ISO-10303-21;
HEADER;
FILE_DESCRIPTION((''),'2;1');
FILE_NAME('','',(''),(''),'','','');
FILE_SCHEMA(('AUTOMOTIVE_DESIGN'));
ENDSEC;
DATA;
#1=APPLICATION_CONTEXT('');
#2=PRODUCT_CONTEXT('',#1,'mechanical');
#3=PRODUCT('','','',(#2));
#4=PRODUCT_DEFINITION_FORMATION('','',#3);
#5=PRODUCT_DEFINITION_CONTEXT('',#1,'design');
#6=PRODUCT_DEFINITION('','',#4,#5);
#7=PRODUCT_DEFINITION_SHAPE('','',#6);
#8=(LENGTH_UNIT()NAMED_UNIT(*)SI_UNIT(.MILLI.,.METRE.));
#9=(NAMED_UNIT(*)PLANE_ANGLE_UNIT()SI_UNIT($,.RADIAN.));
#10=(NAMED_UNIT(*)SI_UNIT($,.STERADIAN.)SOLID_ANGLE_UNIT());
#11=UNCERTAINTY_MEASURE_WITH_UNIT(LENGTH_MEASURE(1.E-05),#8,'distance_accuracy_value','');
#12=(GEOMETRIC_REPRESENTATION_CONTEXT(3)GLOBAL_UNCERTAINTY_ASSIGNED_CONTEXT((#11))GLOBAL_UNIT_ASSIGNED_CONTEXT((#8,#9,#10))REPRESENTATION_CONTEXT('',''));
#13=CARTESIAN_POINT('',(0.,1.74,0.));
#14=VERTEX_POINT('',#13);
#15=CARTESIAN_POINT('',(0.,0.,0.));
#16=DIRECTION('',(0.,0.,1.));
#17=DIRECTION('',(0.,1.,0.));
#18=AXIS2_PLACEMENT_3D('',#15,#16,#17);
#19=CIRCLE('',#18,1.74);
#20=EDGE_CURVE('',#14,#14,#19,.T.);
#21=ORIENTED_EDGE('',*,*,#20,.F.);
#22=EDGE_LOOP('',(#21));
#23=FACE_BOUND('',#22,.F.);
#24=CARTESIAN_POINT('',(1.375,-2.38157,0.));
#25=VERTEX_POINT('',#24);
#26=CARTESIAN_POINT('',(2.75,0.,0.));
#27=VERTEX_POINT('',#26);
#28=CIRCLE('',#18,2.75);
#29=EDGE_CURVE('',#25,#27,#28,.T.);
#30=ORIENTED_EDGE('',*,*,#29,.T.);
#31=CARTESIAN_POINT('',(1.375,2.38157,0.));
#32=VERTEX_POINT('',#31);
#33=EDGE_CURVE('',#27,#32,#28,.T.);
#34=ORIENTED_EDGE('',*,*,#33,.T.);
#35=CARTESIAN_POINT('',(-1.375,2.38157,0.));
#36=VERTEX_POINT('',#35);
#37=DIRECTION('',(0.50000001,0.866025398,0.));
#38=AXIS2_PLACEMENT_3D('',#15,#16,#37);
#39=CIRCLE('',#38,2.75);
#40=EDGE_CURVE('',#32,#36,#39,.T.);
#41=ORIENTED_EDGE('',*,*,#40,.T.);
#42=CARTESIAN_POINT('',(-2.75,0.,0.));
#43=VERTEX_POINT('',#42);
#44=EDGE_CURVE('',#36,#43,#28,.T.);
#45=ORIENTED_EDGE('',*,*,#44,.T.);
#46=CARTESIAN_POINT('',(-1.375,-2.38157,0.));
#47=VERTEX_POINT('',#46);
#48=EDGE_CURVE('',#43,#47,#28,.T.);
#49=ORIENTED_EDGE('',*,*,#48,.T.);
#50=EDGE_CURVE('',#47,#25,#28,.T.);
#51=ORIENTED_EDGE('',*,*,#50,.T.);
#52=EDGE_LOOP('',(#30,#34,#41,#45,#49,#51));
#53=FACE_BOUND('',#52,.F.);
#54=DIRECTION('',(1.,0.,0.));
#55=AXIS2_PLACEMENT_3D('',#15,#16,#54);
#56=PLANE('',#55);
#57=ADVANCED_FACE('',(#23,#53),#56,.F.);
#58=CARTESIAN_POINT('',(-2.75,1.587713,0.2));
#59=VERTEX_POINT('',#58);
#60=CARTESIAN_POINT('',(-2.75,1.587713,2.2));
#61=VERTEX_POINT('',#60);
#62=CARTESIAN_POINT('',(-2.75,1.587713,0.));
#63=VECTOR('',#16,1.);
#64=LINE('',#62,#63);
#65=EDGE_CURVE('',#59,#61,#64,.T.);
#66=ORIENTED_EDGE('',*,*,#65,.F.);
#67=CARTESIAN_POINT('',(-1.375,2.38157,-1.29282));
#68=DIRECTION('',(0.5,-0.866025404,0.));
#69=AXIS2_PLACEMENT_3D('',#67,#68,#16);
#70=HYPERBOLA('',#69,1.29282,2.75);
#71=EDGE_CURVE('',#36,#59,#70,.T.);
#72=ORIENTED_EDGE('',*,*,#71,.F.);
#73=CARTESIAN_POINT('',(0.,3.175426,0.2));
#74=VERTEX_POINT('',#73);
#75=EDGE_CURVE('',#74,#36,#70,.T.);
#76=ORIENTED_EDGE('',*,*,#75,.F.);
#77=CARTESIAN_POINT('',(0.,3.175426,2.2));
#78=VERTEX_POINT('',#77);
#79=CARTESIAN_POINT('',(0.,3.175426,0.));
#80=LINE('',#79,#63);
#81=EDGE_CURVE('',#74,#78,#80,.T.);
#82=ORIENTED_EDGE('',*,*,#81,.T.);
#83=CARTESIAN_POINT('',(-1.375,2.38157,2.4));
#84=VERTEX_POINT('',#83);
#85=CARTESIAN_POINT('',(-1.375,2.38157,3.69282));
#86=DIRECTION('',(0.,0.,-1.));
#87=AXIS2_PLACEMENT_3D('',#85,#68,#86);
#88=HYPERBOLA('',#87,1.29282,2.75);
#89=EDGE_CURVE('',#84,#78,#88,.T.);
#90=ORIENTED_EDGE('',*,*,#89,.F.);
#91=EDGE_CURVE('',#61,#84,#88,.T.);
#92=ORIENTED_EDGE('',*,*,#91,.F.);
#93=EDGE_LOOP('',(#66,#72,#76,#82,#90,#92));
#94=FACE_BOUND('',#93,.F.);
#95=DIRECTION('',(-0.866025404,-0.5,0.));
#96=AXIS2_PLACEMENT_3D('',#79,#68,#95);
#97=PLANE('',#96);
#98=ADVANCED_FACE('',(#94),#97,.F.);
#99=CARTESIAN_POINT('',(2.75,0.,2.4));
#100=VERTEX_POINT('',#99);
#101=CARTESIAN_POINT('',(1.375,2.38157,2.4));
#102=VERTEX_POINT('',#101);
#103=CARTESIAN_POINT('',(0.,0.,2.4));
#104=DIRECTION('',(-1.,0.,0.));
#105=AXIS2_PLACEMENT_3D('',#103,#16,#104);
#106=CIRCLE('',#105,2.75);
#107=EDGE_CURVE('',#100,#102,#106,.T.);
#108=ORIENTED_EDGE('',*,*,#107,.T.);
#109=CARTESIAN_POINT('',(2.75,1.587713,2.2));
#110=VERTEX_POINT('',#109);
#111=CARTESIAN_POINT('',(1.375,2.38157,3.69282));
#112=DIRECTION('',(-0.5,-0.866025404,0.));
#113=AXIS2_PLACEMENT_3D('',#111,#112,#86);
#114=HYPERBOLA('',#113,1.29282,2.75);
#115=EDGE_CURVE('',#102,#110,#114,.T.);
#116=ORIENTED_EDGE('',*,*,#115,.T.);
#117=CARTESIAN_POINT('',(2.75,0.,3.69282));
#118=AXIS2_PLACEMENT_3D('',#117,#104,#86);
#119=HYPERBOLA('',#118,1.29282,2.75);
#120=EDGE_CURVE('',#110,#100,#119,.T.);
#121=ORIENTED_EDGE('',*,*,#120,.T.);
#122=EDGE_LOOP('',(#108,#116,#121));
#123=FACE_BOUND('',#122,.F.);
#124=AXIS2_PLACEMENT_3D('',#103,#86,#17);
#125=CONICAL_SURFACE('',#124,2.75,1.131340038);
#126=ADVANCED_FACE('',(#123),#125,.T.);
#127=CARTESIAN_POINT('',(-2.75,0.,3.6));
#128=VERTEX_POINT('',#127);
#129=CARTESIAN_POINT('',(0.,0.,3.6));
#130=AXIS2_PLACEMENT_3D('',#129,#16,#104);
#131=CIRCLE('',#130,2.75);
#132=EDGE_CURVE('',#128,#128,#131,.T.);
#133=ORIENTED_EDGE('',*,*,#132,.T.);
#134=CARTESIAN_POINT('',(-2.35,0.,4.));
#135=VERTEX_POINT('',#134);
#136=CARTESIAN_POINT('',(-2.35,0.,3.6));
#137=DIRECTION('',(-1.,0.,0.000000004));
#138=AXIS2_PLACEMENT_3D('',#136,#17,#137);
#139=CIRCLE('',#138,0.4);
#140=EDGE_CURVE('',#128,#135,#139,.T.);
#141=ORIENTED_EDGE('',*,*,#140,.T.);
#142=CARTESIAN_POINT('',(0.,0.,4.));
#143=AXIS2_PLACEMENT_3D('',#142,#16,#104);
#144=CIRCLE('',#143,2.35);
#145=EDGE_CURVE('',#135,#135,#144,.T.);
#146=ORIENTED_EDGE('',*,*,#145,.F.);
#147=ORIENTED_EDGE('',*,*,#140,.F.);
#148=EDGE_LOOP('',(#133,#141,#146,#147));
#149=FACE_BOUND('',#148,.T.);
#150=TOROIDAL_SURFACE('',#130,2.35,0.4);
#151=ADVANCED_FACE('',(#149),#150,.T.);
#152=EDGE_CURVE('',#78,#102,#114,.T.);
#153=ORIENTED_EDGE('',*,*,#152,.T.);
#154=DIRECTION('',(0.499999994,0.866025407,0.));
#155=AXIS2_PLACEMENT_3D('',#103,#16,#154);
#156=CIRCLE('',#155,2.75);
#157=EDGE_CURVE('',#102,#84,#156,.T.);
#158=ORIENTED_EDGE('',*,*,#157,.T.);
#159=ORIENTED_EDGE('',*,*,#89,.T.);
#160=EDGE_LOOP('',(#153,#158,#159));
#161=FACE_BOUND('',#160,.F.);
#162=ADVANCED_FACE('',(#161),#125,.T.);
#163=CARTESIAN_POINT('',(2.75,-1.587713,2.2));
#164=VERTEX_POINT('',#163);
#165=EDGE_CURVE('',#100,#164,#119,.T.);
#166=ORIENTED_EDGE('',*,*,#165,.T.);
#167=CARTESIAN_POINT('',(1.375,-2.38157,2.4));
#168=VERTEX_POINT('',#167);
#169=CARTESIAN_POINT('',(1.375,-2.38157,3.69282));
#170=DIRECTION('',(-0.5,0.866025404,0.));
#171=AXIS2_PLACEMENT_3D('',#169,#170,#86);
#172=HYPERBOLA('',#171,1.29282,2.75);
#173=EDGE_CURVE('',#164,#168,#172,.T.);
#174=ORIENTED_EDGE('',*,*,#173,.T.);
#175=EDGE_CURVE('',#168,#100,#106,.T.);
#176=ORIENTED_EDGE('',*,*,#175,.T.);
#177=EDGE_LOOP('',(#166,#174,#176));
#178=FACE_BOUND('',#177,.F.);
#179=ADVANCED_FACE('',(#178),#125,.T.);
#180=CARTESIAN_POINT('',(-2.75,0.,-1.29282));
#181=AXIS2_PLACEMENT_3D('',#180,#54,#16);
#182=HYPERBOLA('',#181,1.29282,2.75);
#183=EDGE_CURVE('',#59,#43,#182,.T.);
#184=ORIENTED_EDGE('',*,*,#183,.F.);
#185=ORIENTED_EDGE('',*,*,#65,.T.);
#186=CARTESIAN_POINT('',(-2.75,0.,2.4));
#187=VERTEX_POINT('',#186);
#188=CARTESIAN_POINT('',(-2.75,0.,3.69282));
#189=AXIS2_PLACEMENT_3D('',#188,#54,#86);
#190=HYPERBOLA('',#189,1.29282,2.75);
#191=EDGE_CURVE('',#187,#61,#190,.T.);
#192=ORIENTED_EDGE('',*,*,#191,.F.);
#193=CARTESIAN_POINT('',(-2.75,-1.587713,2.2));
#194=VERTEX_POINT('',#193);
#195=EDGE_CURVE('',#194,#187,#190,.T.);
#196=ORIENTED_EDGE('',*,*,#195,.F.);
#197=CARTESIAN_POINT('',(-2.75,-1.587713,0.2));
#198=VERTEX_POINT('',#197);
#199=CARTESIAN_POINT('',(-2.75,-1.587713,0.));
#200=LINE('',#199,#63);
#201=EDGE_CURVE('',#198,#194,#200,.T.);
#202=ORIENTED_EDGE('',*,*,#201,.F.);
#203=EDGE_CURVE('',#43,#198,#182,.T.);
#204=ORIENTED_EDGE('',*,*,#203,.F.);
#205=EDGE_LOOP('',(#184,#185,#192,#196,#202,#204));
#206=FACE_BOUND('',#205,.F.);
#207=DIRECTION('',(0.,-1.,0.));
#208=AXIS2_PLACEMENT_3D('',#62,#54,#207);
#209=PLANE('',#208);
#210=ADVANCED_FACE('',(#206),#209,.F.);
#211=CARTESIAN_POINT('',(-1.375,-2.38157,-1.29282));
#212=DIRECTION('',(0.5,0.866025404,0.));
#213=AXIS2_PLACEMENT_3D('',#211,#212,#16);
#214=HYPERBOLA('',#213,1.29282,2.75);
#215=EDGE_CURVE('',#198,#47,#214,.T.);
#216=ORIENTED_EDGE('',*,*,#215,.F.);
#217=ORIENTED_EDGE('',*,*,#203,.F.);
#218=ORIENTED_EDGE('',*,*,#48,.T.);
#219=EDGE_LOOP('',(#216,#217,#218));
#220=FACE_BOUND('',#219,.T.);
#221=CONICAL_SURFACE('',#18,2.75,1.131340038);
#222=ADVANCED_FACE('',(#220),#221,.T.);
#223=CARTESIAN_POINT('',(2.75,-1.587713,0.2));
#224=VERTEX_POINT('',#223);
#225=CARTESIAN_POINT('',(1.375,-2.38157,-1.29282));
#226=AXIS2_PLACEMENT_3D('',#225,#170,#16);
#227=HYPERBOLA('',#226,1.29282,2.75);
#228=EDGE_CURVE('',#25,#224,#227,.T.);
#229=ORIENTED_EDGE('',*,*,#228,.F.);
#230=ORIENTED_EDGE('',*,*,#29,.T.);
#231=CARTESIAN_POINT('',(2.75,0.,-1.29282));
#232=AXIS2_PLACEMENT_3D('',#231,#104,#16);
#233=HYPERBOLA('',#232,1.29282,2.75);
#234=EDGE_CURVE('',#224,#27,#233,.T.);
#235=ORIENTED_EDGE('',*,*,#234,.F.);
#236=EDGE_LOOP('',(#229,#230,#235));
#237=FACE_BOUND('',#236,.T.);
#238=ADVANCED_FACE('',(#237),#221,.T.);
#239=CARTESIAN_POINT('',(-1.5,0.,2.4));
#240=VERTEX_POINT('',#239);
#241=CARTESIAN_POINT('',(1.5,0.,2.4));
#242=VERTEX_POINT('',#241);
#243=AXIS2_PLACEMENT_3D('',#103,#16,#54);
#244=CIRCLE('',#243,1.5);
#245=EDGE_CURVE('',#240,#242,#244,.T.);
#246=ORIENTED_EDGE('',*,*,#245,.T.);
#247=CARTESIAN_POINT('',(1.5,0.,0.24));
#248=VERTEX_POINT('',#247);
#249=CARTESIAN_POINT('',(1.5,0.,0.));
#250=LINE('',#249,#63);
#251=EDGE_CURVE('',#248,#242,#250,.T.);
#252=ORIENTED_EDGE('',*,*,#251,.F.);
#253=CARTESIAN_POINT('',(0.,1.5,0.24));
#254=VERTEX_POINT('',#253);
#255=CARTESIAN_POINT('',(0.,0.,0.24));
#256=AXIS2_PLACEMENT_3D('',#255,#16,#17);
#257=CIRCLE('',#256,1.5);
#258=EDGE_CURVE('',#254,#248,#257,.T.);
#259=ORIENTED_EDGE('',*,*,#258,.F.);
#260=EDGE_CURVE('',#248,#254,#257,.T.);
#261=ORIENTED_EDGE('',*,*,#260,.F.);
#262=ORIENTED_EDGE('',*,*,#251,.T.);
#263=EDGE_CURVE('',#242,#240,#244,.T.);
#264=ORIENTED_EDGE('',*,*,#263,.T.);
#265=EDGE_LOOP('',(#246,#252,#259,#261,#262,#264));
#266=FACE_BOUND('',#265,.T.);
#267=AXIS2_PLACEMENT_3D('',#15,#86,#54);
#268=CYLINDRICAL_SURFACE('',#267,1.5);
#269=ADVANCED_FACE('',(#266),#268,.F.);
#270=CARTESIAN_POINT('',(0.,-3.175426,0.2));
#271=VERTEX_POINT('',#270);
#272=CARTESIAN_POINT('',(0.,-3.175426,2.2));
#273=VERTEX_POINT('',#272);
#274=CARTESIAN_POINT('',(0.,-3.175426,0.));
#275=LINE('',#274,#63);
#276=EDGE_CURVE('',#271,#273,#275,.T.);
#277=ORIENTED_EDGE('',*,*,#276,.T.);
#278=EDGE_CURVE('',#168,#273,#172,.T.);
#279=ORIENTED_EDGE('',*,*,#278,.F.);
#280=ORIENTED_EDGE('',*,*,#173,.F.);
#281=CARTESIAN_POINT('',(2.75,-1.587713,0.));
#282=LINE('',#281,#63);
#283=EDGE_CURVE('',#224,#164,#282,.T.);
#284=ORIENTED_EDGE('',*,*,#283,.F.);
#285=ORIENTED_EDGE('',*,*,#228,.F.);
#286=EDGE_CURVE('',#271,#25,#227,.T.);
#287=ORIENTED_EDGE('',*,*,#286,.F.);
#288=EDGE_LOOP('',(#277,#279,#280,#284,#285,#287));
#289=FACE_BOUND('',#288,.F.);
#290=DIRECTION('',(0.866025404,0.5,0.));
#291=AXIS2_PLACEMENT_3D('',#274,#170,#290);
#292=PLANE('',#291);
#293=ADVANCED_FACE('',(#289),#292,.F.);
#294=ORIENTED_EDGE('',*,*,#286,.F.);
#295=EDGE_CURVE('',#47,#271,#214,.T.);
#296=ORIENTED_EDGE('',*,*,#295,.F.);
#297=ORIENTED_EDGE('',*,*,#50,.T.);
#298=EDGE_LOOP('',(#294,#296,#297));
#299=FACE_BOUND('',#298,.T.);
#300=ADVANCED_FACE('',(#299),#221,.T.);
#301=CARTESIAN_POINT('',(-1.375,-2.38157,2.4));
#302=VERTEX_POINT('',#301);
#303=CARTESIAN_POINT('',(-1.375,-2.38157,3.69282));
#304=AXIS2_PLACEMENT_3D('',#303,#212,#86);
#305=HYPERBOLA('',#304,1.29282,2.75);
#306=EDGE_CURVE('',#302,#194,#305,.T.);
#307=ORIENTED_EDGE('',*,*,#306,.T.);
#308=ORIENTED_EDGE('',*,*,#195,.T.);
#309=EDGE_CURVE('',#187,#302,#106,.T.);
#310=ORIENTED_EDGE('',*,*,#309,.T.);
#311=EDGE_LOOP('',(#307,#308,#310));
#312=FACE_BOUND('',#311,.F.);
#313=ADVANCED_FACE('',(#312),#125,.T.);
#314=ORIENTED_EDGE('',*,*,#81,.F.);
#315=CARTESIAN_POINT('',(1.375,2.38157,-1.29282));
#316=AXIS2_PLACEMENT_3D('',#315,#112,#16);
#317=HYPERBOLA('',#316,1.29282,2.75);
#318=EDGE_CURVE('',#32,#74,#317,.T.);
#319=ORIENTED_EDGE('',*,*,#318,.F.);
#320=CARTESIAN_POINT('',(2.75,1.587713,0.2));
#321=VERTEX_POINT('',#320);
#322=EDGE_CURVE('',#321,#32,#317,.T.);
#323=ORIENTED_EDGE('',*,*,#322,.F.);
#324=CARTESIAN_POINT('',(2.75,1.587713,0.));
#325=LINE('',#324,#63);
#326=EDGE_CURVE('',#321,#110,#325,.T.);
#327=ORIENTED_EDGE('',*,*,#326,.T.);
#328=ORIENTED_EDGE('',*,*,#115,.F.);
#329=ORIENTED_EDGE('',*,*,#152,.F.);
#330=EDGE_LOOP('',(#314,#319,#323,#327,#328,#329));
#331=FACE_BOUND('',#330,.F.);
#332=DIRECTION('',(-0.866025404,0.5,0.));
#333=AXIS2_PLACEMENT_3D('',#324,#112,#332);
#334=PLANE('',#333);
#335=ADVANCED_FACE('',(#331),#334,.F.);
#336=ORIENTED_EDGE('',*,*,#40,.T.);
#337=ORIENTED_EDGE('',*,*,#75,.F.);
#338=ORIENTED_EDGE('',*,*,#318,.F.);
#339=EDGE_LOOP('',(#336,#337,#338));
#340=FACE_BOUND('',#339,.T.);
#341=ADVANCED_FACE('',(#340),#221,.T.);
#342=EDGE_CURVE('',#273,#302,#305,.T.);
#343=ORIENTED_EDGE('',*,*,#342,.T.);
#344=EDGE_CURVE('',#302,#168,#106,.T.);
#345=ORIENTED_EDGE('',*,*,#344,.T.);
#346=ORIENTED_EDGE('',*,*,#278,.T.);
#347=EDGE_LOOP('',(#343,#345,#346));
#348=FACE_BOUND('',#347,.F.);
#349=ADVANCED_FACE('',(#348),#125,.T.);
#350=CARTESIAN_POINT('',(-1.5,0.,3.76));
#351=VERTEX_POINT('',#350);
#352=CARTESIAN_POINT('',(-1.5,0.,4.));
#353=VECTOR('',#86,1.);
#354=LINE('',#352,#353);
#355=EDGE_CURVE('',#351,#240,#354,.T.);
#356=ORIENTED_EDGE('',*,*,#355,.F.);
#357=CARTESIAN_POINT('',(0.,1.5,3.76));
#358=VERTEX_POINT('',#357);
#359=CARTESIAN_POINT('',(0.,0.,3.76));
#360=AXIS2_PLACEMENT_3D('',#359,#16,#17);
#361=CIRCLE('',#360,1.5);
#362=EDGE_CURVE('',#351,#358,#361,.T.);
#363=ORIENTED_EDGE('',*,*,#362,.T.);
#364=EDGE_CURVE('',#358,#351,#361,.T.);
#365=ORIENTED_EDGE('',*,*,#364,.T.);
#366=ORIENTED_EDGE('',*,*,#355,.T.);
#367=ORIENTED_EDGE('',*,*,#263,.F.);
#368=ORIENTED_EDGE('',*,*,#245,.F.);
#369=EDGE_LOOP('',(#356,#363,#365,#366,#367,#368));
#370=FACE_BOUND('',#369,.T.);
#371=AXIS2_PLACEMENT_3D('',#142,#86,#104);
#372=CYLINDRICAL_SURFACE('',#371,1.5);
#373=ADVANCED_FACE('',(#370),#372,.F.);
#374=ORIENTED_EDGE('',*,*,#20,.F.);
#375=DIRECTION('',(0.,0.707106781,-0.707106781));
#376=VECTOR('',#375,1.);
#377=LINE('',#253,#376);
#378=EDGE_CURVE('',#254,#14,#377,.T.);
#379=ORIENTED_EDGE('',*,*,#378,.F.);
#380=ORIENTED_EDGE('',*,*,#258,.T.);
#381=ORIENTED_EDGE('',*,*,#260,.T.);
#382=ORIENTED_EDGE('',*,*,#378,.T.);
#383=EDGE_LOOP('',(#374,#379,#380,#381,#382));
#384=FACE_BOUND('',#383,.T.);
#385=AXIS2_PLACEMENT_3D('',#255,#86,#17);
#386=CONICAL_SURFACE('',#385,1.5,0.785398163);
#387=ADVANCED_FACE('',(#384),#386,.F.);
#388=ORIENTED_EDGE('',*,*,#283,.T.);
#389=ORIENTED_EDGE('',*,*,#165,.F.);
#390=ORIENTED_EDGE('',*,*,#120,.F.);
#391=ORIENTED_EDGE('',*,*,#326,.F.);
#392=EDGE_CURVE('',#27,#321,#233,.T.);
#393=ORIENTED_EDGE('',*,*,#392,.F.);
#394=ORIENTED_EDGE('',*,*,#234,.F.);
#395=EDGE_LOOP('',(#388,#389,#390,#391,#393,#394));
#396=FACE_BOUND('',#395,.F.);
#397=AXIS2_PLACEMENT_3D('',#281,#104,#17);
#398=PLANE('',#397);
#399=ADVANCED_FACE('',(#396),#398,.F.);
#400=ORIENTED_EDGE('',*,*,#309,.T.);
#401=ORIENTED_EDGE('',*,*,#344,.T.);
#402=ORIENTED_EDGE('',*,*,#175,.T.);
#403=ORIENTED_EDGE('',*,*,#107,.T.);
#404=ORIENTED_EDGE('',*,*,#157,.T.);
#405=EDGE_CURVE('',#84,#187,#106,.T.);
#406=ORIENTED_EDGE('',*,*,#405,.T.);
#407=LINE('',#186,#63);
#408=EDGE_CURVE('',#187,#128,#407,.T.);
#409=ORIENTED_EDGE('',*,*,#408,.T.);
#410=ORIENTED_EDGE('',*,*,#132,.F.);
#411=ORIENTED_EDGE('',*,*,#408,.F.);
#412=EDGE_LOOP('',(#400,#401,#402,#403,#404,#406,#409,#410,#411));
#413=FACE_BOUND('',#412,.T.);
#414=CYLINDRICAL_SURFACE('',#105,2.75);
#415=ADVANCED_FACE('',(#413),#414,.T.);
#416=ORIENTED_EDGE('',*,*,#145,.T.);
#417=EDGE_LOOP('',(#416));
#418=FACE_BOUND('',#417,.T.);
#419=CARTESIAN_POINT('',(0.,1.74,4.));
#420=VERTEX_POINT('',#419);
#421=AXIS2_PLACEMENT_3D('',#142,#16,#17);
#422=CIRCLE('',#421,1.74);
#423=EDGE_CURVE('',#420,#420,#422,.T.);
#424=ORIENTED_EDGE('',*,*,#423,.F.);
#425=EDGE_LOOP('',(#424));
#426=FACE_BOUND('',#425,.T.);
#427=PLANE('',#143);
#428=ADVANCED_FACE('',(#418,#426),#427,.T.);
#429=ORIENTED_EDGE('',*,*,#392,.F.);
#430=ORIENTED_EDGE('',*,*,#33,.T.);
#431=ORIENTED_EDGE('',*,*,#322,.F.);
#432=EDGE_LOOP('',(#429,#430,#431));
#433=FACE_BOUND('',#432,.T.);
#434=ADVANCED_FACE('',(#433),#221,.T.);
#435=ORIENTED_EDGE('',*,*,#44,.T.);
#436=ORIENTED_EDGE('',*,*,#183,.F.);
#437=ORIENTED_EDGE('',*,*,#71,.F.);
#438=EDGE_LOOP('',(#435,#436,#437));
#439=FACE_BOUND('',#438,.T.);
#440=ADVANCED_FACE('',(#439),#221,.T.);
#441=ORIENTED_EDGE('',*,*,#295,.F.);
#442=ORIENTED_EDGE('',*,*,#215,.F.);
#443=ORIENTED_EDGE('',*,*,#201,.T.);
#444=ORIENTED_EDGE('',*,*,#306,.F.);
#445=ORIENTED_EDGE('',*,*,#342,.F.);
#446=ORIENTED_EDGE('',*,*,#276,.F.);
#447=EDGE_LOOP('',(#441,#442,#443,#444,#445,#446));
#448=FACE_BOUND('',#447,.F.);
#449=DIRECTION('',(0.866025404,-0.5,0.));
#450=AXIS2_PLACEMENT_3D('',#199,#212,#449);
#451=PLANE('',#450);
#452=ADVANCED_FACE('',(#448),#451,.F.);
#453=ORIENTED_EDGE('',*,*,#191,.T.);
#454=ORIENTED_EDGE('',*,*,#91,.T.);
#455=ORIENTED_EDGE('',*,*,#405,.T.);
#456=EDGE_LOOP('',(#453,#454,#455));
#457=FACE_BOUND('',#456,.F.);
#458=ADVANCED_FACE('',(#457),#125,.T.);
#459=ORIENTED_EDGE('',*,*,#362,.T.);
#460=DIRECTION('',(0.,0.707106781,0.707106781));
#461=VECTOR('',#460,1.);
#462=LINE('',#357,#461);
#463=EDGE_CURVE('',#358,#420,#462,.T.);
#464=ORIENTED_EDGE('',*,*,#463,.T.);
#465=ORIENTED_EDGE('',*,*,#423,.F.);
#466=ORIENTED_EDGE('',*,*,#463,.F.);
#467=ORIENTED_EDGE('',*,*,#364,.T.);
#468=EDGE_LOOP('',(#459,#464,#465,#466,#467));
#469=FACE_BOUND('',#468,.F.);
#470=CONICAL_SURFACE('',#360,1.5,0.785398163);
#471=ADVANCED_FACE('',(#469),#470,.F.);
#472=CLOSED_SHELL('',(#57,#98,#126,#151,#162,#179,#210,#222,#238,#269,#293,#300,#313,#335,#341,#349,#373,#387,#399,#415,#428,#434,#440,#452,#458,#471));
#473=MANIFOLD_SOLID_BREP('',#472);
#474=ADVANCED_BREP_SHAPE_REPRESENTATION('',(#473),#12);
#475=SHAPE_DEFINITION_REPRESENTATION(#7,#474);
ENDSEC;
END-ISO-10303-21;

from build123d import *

# Parameters (mm, degrees)
SKETCH1_R           = 1.5
BOSS_EXTRUDE1_DEPTH = 2.4


with BuildPart() as part:
    # Sketch1 → Boss-Extrude1 (new body)
    with BuildSketch(Plane.XY):
        Polygon((0, -3.175426481), (2.75, -1.58771324), (2.75, 1.58771324), (0, 3.175426481), (-2.75, 1.58771324), (-2.75, -1.58771324), align=None)
        Circle(SKETCH1_R, mode=Mode.SUBTRACT)
    extrude(amount=BOSS_EXTRUDE1_DEPTH)

    # Sketch3 → Revolve1 (revolve)
    with BuildSketch(Plane(origin=(0, 0, 0), x_dir=(0, 0, -1), z_dir=(0, 1, 0))):
        with BuildLine():
            Line((-2.4, 2.75), (-3.6, 2.75))
            ThreePointArc((-3.6, 2.75), (-3.882842712, 2.632842712), (-4, 2.35))
            Line((-4, 2.35), (-4, 1.5))
            Line((-4, 1.5), (-2.4, 1.5))
            Line((-2.4, 1.5), (-2.4, 2.75))
        make_face()
    revolve(axis=Axis((0, 0, 0), (0, 0, 1)))

    # Sketch2 → Cut-Revolve1 (revolve, cut)
    with BuildSketch(Plane(origin=(0, 0, 0), x_dir=(0, 0, -1), z_dir=(1, 0, 0))):
        Polygon((-2.4, 3.175426481), (-2.4, 2.75), (-2.2, 3.175426481), align=None)
        Polygon((-0.2, 3.175426481), (0, 3.175426481), (0, 2.75), align=None)
        Polygon((-4, 1.5), (-3.76, 1.5), (-4, 1.74), align=None)
        Polygon((0, 1.5), (-0.24, 1.5), (0, 1.74), align=None)
    revolve(axis=Axis((0, 0, 0), (0, 0, 1)), mode=Mode.SUBTRACT)


solid = part.part
